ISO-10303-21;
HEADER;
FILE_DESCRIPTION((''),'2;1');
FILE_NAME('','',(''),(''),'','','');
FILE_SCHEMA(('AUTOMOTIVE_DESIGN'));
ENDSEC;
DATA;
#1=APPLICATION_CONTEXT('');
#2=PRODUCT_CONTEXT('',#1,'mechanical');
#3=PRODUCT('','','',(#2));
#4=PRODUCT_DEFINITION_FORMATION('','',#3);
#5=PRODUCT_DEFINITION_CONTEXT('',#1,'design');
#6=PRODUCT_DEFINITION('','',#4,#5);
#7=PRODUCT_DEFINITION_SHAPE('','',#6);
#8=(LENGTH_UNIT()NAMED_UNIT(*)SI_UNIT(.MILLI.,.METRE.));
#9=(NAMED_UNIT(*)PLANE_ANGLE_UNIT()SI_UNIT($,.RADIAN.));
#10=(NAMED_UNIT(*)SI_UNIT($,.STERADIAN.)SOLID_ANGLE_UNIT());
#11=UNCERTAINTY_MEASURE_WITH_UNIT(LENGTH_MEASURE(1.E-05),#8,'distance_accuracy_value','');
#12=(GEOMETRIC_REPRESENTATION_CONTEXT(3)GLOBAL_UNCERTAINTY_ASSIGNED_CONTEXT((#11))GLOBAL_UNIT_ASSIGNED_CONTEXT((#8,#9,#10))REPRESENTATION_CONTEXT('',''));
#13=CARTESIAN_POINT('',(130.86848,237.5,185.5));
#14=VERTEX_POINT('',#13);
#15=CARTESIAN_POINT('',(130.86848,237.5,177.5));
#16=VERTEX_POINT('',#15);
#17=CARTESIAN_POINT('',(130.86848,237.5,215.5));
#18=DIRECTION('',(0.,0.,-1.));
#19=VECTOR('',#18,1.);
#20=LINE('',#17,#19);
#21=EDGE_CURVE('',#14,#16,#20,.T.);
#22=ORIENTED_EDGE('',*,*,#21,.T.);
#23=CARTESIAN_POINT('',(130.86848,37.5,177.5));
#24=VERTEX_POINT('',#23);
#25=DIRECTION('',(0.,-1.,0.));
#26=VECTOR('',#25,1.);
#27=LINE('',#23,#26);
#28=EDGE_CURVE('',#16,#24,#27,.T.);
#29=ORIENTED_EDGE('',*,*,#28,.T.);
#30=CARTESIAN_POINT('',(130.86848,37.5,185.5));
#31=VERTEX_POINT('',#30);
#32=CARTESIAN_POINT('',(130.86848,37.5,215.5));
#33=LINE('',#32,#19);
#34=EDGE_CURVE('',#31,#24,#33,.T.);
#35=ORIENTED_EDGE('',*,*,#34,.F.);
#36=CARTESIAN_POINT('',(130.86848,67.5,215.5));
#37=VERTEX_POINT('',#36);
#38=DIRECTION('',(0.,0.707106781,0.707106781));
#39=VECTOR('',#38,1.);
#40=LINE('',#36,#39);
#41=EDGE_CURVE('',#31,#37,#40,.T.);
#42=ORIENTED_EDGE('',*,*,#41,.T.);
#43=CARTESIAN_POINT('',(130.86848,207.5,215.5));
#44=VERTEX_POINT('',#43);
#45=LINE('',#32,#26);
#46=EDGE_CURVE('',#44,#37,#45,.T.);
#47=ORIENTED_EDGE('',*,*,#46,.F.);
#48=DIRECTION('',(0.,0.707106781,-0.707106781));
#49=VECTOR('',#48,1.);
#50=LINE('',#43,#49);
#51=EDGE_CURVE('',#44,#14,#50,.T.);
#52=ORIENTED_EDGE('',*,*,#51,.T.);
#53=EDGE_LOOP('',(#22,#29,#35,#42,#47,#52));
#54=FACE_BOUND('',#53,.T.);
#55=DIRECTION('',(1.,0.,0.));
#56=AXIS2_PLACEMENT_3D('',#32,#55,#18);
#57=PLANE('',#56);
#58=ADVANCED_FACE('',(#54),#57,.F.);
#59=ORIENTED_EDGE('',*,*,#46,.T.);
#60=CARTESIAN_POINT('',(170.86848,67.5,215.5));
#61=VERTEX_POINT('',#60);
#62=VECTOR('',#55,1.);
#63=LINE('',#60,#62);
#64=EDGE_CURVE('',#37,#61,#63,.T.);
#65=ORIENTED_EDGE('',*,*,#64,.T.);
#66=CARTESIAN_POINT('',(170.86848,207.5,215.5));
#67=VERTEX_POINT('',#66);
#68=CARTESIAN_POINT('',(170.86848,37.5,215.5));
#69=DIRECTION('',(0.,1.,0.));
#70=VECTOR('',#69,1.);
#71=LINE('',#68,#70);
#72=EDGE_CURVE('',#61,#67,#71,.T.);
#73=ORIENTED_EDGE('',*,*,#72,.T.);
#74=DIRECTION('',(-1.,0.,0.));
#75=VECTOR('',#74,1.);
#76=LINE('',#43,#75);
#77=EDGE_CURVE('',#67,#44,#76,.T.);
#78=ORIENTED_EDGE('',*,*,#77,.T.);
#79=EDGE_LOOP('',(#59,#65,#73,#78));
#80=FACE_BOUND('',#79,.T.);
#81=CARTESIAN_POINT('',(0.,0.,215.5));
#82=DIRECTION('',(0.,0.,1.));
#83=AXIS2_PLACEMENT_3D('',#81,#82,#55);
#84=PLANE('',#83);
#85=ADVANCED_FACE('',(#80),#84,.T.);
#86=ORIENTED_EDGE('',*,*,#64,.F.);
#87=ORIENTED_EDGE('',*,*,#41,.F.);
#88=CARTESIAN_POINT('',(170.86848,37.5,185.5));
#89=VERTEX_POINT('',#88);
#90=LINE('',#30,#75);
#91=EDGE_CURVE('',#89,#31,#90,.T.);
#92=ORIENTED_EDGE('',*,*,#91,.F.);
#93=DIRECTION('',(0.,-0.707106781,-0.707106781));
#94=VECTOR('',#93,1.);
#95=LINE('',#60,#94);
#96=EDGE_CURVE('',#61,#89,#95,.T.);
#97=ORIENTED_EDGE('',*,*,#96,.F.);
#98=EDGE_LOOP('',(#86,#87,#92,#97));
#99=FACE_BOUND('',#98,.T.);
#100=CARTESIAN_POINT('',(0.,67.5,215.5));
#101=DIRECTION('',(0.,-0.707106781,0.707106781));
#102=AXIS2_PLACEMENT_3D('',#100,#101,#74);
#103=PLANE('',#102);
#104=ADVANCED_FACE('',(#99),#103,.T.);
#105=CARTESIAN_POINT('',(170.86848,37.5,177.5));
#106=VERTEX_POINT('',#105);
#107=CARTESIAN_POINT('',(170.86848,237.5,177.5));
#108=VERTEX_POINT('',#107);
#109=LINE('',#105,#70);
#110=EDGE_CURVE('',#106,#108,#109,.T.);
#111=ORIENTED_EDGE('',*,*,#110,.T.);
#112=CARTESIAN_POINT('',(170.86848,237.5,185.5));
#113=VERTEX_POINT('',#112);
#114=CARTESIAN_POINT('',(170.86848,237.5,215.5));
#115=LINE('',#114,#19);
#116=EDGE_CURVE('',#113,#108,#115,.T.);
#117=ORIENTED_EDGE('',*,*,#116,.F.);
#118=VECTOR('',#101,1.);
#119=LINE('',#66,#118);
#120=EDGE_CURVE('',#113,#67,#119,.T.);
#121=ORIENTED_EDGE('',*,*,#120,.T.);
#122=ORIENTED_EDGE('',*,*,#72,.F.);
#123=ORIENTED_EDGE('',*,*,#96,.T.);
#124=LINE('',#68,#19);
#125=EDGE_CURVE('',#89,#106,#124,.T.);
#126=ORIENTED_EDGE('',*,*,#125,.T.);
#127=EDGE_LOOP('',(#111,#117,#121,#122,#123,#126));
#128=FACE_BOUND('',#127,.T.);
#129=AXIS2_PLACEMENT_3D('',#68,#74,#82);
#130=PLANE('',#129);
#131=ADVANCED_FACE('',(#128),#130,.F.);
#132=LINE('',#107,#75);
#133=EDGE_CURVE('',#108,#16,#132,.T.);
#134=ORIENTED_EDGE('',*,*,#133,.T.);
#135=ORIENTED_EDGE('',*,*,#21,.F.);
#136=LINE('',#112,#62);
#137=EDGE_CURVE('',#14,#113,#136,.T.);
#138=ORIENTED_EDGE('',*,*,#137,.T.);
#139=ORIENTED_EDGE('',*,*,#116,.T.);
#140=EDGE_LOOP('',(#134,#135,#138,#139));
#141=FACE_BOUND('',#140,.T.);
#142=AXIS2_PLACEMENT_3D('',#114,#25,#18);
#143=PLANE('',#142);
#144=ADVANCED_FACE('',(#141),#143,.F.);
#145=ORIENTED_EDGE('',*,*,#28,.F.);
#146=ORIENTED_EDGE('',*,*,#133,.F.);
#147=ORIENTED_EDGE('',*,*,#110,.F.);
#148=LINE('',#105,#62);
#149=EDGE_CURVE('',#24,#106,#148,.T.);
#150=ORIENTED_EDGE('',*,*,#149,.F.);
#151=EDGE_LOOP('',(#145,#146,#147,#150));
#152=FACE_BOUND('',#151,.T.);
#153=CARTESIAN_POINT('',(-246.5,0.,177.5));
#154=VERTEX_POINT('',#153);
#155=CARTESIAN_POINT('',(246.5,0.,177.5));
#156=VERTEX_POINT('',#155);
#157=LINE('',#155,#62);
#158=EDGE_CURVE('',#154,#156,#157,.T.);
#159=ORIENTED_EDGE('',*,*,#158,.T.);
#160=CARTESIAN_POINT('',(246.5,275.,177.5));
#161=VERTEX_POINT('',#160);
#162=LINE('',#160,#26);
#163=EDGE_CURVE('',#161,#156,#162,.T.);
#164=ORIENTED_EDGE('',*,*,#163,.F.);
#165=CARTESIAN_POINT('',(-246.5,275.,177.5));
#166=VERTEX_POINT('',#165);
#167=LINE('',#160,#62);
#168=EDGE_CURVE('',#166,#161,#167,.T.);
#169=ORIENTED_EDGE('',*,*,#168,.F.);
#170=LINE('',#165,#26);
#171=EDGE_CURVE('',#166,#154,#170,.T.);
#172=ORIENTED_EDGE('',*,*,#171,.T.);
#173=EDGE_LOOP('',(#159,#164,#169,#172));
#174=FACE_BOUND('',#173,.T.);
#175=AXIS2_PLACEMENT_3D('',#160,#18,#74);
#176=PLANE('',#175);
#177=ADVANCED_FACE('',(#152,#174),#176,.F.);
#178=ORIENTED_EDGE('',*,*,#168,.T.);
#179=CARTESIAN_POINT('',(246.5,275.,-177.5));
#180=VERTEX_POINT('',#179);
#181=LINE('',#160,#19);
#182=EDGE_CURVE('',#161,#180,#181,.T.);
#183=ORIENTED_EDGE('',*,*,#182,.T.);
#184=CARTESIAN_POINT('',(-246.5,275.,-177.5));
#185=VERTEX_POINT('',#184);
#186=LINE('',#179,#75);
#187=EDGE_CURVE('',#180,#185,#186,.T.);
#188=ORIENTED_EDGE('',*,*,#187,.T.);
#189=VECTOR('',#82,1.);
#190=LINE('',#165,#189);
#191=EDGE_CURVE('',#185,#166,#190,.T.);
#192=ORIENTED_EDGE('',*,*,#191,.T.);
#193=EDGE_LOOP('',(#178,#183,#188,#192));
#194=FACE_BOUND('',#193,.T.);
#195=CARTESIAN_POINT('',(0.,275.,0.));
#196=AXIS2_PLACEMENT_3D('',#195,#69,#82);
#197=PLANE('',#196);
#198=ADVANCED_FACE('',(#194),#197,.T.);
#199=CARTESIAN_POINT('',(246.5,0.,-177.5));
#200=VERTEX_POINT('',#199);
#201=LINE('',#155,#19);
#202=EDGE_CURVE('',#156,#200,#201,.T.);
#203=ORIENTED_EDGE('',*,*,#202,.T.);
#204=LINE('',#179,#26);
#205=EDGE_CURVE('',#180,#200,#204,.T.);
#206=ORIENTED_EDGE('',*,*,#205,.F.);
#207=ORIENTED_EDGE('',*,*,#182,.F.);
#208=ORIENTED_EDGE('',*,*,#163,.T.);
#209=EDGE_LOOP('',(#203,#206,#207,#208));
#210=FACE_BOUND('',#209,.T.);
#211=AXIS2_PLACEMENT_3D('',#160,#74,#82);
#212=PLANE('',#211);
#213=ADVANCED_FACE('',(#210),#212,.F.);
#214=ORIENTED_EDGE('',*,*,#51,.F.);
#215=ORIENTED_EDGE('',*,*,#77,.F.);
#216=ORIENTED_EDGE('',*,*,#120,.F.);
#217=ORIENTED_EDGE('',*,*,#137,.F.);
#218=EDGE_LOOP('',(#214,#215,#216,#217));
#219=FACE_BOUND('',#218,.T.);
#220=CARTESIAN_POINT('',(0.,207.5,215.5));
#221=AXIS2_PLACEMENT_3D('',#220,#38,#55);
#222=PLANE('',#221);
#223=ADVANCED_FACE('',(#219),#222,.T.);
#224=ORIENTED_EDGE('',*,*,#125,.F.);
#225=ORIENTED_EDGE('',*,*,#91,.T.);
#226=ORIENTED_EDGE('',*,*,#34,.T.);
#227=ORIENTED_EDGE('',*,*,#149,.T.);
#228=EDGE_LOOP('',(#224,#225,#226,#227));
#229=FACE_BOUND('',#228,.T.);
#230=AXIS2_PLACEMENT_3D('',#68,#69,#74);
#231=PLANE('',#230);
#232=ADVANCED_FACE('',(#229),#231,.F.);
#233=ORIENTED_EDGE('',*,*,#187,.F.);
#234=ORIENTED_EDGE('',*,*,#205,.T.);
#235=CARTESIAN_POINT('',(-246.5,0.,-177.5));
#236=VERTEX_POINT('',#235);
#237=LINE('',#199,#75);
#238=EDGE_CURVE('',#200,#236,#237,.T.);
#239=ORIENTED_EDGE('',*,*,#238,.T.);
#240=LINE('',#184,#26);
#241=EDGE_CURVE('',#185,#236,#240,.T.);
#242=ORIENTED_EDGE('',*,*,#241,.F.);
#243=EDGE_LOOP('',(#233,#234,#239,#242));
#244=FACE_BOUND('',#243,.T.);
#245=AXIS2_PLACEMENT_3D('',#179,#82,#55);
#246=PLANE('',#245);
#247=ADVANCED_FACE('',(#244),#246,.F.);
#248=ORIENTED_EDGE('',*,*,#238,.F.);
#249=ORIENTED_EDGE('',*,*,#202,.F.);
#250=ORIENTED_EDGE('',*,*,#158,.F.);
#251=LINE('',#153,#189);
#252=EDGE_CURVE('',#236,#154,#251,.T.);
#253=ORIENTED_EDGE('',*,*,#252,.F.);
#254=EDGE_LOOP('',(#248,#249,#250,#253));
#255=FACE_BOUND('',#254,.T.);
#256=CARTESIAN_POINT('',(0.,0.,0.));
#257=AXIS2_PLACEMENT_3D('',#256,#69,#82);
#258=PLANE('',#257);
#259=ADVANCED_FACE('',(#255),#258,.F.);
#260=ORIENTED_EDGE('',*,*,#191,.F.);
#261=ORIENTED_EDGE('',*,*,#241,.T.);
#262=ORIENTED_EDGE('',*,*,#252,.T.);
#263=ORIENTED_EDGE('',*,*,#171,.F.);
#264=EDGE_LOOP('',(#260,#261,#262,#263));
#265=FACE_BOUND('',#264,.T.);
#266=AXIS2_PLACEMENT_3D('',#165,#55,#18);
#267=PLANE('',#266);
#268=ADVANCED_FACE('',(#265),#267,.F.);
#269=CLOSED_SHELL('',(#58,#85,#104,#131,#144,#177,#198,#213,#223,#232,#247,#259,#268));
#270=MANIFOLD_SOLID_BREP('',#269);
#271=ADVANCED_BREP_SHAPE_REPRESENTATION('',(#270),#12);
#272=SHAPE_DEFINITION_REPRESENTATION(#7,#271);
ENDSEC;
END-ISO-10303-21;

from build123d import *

# Parameters (mm, degrees)
SKETCH1_W           = 493
SKETCH1_H           = 355
BOSS_EXTRUDE1_DEPTH = 275
SKETCH2_W           = 40
SKETCH2_H           = 200
BOSS_EXTRUDE2_DEPTH = 38
CHAMFER1_SIZE       = 30


with BuildPart() as part:
    # Sketch1 → Boss-Extrude1 (new body)
    with BuildSketch(Plane(origin=(0, 0, 0), x_dir=(1, 0, 0), z_dir=(0, 1, 0))):
        Rectangle(SKETCH1_W, SKETCH1_H)
    extrude(amount=BOSS_EXTRUDE1_DEPTH)

    # Sketch2 → Boss-Extrude2 (add)
    with BuildSketch(Plane.XY.offset(177.5)):
        with Locations((150.868479839, 137.5)):
            Rectangle(SKETCH2_W, SKETCH2_H)
    extrude(amount=BOSS_EXTRUDE2_DEPTH)

    # Chamfer1
    chamfer1_edges = [part.edges().sort_by_distance(p)[0] for p in [
        (150.868479839, 37.5, 215.5),
        (150.868479839, 237.5, 215.5),
    ]]
    chamfer(chamfer1_edges, length=CHAMFER1_SIZE)


solid = part.part
